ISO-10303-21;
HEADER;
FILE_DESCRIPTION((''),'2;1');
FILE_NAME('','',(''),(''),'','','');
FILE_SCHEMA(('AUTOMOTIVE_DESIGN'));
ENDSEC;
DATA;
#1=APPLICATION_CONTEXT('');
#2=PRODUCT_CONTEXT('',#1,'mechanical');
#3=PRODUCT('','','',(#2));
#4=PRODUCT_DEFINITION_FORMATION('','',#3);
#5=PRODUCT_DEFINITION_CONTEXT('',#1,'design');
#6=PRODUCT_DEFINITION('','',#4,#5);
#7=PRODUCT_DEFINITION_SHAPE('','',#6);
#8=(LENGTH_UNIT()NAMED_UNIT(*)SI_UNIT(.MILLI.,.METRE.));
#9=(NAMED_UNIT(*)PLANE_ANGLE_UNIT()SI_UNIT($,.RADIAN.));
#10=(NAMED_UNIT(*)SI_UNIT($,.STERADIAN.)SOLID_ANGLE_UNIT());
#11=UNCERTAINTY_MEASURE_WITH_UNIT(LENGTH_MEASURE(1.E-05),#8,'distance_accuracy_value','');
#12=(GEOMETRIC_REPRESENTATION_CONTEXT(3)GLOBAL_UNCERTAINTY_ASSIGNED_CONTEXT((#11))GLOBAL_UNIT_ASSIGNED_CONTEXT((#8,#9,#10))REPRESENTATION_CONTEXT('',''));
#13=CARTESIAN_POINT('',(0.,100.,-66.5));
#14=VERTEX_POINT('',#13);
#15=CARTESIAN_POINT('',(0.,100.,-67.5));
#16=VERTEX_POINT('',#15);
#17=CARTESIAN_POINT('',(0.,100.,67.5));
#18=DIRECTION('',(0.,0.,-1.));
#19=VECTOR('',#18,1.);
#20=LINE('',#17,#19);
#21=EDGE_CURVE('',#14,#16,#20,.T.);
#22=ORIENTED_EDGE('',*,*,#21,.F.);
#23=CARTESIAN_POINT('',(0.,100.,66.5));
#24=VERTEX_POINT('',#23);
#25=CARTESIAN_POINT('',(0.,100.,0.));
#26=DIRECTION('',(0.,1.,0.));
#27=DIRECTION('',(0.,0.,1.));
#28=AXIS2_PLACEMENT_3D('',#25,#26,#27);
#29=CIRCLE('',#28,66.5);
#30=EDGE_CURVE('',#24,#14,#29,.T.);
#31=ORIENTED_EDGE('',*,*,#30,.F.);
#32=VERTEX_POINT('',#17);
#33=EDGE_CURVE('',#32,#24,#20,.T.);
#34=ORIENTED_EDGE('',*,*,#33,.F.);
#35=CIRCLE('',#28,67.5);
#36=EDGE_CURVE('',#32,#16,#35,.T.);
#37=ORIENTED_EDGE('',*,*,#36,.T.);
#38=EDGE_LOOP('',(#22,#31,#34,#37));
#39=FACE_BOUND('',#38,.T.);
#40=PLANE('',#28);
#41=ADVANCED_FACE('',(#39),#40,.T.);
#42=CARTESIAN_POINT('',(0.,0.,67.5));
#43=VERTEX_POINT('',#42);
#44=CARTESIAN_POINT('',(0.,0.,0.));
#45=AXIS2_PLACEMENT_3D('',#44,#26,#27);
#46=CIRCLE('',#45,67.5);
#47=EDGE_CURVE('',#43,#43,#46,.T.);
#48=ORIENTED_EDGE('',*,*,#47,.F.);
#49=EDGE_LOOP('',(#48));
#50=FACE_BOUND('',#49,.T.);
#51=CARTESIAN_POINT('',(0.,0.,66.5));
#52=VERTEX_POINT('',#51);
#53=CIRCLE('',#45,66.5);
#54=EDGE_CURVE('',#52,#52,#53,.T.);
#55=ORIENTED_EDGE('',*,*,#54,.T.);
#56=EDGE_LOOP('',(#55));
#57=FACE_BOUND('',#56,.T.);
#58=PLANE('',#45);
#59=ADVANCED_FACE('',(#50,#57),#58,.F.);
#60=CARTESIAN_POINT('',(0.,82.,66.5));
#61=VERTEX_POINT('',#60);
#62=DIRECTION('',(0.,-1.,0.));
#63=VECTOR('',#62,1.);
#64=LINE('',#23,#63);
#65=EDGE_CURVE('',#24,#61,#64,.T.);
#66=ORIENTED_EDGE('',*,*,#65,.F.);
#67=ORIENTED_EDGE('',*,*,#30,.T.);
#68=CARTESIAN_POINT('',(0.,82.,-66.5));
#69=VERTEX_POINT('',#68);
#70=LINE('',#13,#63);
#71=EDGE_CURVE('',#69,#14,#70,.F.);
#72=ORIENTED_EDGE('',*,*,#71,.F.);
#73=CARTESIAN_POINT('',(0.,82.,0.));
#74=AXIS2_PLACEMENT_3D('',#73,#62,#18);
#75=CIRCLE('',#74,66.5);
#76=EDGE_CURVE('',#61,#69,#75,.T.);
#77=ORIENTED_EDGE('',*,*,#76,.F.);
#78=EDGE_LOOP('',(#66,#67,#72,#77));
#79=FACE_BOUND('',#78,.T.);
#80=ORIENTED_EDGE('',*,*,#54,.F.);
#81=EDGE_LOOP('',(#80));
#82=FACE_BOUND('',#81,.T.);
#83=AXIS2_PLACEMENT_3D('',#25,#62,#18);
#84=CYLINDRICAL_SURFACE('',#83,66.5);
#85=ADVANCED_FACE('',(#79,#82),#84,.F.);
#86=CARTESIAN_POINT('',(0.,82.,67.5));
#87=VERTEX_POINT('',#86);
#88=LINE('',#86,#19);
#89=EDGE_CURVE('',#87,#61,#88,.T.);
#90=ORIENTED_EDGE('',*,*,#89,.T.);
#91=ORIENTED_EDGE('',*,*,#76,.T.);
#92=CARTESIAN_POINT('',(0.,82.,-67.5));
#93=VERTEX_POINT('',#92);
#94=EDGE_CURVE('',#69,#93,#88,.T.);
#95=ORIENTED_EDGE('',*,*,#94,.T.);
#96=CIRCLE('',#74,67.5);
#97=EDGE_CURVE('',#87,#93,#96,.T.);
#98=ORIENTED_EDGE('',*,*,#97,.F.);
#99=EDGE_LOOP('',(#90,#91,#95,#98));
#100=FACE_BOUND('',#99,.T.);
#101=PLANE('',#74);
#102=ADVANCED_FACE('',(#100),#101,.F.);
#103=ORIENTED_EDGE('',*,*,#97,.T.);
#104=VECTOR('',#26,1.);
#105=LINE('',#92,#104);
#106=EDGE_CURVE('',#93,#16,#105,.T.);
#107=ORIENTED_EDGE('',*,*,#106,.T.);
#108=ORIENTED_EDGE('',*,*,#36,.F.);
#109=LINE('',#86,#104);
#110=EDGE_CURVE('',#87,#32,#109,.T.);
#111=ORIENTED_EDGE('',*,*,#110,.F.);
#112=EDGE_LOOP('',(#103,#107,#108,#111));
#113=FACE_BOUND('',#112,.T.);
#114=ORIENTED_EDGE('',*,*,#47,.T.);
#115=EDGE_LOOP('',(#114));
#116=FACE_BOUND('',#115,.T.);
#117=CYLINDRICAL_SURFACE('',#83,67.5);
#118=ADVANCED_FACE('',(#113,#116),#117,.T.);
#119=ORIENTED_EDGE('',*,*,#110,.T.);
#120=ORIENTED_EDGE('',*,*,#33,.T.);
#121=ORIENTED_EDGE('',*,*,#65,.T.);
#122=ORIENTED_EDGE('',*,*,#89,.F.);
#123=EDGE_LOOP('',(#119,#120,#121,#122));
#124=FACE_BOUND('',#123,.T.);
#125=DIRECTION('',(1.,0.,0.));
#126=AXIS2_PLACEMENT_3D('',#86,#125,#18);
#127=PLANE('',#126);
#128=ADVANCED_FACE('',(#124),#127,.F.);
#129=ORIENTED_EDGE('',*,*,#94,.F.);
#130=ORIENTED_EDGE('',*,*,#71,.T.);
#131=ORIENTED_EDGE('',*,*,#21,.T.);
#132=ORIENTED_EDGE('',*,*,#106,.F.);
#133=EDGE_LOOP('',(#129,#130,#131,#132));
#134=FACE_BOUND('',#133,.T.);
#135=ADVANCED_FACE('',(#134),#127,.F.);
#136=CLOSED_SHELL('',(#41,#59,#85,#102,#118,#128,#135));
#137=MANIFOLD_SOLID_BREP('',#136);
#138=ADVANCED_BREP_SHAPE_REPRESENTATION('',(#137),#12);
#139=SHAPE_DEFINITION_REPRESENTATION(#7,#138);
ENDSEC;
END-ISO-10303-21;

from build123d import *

# Parameters (mm, degrees)
SKETCH_1_R          = 67.5
SKETCH_1_R_2        = 66.5
EXTRUDE_1_DEPTH     = 100
SKETCH_2_W          = 67.5
SKETCH_2_H          = 135
CUT_EXTRUDE_1_DEPTH = 18


with BuildPart() as part:
    # 草图1 → 凸台-拉伸1 (new body)
    with BuildSketch(Plane(origin=(0, 0, 0), x_dir=(1, 0, 0), z_dir=(0, 1, 0))):
        with Locations(Location((0, 0, 0), (0, 0, 270))):
            Circle(SKETCH_1_R)
        with Locations(Location((0, 0, 0), (0, 0, 270))):
            Circle(SKETCH_1_R_2, mode=Mode.SUBTRACT)
    extrude(amount=EXTRUDE_1_DEPTH)

    # 草图2 → 切除-拉伸1 (cut)
    with BuildSketch(Plane(origin=(0, 100, 0), x_dir=(1, 0, 0), z_dir=(0, 1, 0))):
        with Locations((-33.75, 0)):
            Rectangle(SKETCH_2_W, SKETCH_2_H)
    extrude(amount=-CUT_EXTRUDE_1_DEPTH, mode=Mode.SUBTRACT)


solid = part.part
